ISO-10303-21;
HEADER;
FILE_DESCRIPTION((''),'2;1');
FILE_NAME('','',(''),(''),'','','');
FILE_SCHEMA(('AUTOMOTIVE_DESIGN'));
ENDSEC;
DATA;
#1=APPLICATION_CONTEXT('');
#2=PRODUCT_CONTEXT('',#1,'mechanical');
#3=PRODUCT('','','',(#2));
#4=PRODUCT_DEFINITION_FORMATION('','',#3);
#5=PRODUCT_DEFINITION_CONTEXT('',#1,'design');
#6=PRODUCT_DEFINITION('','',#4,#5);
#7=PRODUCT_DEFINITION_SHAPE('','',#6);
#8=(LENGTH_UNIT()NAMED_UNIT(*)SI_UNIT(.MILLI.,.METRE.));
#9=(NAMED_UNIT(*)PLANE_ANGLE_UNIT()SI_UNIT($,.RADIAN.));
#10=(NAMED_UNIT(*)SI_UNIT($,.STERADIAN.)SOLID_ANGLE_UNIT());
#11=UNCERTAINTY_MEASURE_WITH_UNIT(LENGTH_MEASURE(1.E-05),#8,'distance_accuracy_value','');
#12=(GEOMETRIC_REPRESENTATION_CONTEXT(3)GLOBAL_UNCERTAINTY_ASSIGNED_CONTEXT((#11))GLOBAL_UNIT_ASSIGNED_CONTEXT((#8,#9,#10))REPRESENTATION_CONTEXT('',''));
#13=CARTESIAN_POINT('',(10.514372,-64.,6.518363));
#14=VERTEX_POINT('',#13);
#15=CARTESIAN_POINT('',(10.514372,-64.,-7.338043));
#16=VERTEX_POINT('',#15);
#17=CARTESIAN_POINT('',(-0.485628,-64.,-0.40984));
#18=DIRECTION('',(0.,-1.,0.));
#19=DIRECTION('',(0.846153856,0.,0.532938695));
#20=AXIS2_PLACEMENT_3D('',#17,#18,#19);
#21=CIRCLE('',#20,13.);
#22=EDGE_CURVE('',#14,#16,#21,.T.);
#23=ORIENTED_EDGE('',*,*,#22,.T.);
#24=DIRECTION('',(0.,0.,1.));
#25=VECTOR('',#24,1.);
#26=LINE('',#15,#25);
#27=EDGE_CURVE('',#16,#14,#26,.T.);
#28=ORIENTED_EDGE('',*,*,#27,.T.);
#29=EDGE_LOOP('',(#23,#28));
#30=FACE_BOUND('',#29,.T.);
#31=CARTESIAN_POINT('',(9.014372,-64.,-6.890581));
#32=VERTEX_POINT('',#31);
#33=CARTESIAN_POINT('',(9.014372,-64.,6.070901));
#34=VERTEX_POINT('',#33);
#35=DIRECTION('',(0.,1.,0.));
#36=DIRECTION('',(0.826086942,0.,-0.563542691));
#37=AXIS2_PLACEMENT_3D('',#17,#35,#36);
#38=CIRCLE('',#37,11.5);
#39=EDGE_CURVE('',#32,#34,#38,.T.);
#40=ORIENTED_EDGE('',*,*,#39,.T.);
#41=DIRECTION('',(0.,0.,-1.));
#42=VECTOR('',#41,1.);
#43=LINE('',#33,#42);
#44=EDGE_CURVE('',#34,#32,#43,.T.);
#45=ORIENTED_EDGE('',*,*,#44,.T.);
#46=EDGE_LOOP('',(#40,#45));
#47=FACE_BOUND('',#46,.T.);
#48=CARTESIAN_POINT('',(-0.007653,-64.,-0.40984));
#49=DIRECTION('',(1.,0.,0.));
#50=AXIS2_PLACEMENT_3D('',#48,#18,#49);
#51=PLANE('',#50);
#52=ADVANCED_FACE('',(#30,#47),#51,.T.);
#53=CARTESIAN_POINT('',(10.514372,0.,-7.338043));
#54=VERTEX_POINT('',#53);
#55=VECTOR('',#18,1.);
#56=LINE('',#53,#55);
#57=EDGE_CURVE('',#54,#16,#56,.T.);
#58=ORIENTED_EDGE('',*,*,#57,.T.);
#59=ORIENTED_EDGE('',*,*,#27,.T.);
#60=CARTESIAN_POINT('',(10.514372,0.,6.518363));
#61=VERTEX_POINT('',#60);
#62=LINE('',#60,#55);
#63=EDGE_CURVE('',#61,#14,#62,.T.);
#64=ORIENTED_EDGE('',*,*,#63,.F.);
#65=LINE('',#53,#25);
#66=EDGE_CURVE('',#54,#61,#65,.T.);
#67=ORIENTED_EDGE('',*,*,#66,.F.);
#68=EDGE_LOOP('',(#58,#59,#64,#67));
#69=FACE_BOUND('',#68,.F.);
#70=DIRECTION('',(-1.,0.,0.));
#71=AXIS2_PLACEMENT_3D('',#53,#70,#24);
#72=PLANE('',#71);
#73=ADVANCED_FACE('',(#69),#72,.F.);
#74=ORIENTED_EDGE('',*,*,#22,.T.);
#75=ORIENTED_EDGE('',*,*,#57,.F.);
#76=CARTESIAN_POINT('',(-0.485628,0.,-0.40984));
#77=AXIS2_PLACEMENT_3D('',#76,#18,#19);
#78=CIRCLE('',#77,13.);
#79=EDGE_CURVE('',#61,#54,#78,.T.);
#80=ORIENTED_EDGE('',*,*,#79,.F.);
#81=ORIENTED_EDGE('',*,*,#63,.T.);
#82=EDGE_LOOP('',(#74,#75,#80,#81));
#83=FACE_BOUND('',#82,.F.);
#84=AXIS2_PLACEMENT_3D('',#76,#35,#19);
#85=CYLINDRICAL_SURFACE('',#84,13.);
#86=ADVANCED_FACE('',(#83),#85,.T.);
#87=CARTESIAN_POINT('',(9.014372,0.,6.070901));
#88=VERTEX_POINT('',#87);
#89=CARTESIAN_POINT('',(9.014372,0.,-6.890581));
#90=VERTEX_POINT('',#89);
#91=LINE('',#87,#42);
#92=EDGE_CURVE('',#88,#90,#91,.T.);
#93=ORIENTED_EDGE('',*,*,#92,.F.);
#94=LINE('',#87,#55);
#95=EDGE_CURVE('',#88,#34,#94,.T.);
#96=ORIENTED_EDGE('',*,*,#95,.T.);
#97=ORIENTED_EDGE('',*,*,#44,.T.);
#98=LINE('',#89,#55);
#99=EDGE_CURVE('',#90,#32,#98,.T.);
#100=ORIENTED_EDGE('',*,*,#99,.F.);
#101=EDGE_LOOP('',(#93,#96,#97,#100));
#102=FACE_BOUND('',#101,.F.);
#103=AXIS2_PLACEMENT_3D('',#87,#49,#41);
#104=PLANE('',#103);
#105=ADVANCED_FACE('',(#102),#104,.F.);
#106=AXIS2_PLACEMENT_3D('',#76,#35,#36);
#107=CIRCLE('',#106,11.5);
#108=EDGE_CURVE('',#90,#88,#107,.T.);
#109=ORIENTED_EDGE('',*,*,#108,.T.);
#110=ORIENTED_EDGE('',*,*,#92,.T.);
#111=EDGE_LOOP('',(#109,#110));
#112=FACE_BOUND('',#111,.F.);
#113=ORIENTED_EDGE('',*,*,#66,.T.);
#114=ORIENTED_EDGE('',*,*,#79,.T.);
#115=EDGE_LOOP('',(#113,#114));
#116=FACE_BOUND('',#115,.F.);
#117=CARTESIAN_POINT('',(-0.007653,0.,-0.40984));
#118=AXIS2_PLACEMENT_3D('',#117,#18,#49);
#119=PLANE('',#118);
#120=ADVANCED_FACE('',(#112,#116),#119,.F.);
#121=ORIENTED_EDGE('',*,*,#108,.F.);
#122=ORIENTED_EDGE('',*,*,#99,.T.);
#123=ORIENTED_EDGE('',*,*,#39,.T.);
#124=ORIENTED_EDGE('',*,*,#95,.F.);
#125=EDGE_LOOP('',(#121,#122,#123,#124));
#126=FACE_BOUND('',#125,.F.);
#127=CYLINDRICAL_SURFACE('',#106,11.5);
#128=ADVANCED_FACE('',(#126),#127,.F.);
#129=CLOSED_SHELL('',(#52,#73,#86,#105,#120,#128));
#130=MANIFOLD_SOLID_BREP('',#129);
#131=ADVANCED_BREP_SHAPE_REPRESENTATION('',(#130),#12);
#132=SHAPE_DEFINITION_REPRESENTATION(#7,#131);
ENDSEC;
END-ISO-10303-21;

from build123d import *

# Parameters (mm, degrees)
F1_DEPTH = 64


with BuildPart() as f1:
    # F0 (on Front) → F1 (new body)
    with BuildSketch(Plane.XZ):
        with BuildLine():
            Line((10.514372, -7.338043), (10.514372, 6.518363))
            ThreePointArc((10.514372, 6.518363), (-13.485628, -0.40984), (10.514372, -7.338043))
        make_face()
        with BuildLine():
            ThreePointArc((9.014372, -6.890581), (-11.985628, -0.40984), (9.014372, 6.070901))
            Line((9.014372, 6.070901), (9.014372, -6.890581))
        make_face(mode=Mode.SUBTRACT)
    extrude(amount=F1_DEPTH)


solid = f1.part
